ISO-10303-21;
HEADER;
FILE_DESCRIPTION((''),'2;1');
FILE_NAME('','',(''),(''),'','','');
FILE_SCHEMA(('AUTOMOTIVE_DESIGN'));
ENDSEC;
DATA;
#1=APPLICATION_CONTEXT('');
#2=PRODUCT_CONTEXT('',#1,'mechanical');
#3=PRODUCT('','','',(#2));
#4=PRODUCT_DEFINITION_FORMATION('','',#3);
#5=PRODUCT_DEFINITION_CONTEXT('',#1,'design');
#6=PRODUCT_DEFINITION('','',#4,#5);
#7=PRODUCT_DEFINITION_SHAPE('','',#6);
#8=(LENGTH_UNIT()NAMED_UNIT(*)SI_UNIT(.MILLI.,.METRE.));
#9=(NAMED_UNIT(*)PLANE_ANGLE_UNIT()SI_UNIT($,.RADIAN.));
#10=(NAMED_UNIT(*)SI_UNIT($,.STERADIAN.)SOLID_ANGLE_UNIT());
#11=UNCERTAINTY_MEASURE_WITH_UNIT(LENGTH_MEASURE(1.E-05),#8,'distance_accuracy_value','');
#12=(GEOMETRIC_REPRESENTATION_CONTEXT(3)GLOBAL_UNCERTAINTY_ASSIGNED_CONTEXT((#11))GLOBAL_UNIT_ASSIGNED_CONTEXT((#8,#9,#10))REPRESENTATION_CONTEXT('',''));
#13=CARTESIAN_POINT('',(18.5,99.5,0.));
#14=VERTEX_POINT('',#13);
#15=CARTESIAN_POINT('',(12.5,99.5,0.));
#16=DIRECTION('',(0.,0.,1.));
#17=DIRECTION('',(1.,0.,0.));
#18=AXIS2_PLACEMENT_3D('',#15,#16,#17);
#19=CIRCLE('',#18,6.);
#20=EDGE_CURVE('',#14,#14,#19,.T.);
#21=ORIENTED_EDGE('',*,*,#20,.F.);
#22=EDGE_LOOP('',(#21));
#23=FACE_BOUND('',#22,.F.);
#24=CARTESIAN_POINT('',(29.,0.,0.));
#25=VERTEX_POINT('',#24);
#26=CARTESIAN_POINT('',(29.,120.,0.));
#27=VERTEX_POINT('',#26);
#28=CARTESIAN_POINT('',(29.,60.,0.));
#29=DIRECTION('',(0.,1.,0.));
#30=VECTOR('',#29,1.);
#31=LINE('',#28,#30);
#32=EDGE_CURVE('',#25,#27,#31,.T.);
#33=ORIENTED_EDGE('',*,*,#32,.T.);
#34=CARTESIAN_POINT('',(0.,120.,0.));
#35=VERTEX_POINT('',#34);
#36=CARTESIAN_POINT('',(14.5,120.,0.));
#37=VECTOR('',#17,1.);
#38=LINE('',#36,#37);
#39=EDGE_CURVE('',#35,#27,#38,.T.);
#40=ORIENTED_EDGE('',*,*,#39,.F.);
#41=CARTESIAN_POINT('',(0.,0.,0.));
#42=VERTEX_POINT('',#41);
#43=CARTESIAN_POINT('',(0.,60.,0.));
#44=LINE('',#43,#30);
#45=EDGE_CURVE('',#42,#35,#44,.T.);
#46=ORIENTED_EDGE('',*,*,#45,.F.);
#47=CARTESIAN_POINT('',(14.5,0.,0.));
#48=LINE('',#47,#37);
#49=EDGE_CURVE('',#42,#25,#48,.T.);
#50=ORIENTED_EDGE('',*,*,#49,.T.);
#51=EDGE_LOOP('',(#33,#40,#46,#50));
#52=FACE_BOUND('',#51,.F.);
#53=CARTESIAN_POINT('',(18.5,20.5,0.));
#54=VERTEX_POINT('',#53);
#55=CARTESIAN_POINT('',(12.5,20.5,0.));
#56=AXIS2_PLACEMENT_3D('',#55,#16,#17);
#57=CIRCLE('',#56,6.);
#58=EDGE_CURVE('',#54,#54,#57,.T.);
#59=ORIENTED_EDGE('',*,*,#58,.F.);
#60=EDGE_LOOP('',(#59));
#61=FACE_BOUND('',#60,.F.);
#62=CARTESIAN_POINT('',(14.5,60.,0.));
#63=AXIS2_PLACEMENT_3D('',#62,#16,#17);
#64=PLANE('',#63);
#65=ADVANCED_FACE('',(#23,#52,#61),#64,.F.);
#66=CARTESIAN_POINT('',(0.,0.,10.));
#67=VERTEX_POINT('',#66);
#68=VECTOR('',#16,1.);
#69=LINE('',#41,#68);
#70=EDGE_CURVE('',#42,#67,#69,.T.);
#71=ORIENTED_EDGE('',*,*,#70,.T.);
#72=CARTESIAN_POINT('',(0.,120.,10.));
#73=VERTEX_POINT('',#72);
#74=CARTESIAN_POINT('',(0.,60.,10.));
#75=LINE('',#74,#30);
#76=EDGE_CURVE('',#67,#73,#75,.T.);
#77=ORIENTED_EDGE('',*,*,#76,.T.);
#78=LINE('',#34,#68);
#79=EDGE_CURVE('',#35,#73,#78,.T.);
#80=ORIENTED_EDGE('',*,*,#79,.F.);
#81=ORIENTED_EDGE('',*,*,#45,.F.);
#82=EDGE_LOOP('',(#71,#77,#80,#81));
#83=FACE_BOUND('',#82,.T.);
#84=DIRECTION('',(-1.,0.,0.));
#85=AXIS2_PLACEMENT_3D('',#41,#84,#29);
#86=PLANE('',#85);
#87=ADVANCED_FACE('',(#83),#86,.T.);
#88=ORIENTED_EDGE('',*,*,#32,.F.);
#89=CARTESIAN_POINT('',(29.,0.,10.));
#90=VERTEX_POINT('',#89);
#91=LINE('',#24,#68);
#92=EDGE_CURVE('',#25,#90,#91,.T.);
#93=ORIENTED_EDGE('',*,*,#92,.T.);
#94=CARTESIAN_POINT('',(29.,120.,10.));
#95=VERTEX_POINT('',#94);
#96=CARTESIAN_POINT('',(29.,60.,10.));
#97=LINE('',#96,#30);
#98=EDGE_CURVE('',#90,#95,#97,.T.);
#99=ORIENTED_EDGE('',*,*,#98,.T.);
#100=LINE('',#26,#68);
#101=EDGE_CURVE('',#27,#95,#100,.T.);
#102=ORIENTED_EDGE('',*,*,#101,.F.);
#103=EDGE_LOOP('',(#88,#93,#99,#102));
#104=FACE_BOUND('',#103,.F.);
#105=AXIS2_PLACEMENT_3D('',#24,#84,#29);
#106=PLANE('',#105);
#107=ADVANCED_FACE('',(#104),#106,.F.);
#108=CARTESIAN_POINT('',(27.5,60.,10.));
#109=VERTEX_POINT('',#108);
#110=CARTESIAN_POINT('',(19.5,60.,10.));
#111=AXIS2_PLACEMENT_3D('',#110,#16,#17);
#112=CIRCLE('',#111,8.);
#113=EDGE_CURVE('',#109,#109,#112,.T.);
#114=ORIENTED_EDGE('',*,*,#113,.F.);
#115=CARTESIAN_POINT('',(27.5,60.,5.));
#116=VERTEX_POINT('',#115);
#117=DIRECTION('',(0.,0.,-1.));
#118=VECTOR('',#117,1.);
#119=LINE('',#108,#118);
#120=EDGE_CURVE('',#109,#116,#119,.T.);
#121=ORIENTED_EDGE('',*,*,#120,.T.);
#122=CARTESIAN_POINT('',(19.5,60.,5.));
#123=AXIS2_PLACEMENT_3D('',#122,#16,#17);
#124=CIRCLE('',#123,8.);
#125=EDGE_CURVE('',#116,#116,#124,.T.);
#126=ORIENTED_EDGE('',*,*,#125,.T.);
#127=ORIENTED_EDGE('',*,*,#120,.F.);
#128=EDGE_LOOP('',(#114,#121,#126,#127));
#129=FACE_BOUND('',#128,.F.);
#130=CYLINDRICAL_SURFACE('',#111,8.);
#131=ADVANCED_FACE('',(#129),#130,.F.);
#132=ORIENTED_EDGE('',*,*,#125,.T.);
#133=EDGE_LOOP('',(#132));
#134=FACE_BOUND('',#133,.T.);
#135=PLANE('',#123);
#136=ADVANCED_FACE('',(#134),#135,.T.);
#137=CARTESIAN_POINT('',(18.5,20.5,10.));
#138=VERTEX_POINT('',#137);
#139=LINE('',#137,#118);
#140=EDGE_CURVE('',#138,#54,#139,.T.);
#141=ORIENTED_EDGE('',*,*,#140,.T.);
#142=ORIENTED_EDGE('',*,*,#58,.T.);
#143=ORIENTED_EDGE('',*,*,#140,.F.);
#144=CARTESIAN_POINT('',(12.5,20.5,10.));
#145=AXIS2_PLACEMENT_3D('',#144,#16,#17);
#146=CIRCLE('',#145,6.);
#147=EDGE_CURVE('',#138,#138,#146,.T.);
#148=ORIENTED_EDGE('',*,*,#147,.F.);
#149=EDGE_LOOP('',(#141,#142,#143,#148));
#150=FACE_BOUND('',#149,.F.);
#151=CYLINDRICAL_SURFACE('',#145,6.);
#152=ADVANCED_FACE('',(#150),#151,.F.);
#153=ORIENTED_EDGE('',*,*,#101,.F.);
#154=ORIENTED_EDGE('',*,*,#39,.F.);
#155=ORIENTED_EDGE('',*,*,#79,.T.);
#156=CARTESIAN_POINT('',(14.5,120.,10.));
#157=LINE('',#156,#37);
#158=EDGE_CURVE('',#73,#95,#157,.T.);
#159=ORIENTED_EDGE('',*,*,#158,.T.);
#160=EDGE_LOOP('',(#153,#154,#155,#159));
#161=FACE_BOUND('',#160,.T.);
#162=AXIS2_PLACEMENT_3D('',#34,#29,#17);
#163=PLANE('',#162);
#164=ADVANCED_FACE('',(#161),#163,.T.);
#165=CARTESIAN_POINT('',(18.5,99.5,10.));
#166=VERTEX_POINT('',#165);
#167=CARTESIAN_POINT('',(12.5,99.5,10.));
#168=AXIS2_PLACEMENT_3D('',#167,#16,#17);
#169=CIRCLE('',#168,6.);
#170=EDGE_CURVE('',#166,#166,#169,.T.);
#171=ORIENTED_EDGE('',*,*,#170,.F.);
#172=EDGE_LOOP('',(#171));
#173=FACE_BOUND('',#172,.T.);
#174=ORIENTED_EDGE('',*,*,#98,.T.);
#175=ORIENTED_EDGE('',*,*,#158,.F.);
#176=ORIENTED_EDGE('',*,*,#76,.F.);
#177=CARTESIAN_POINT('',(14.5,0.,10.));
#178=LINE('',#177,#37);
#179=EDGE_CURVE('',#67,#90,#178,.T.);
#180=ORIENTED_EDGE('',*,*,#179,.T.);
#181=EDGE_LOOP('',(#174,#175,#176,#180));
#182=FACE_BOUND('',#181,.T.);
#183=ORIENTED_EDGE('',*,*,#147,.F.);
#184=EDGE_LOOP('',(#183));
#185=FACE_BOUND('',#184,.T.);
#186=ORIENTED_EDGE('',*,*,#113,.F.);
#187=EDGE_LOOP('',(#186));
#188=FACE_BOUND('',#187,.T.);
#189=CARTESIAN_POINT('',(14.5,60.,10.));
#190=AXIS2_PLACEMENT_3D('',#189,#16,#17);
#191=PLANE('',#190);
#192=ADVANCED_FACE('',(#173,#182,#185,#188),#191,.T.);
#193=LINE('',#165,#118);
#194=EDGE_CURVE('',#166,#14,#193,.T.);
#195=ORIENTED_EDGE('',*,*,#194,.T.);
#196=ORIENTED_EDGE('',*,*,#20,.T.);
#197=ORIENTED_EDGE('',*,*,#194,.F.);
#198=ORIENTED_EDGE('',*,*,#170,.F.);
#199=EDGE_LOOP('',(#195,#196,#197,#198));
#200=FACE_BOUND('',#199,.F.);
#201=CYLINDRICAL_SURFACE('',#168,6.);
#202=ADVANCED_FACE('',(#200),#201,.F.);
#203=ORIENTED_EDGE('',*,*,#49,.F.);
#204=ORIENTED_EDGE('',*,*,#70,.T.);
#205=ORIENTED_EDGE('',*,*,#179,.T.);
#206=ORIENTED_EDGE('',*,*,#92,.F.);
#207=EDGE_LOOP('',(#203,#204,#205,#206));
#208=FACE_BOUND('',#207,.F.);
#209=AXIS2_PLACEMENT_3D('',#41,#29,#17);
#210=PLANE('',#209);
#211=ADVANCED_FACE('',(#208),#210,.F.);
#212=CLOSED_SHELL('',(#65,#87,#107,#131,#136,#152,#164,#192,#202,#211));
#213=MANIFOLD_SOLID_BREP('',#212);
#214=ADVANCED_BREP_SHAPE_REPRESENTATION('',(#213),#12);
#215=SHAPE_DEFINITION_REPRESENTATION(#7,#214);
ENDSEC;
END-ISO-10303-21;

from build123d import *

# Parameters (mm, degrees)
BOX_W           = 29
BOX_H           = 120
BOX_DEPTH       = 10
SKETCH_R        = 6
POCKET_DEPTH    = 10.001
SKETCH001_R     = 8
POCKET001_DEPTH = 5


with BuildPart() as part:
    # Box → Box (new body)
    with BuildSketch(Plane.XY):
        with Locations((14.5, 60)):
            Rectangle(BOX_W, BOX_H)
    extrude(amount=BOX_DEPTH)

    # Sketch → Pocket (cut, through all)
    with BuildSketch(Plane.XY.offset(10)):
        with Locations((12.5, 99.5)):
            Circle(SKETCH_R)
        with Locations((12.5, 20.5)):
            Circle(SKETCH_R)
    extrude(amount=-POCKET_DEPTH, mode=Mode.SUBTRACT)

    # Sketch001 → Pocket001 (cut)
    with BuildSketch(Plane.XY.offset(10)):
        with Locations((19.5, 60)):
            Circle(SKETCH001_R)
    extrude(amount=-POCKET001_DEPTH, mode=Mode.SUBTRACT)


solid = part.part
